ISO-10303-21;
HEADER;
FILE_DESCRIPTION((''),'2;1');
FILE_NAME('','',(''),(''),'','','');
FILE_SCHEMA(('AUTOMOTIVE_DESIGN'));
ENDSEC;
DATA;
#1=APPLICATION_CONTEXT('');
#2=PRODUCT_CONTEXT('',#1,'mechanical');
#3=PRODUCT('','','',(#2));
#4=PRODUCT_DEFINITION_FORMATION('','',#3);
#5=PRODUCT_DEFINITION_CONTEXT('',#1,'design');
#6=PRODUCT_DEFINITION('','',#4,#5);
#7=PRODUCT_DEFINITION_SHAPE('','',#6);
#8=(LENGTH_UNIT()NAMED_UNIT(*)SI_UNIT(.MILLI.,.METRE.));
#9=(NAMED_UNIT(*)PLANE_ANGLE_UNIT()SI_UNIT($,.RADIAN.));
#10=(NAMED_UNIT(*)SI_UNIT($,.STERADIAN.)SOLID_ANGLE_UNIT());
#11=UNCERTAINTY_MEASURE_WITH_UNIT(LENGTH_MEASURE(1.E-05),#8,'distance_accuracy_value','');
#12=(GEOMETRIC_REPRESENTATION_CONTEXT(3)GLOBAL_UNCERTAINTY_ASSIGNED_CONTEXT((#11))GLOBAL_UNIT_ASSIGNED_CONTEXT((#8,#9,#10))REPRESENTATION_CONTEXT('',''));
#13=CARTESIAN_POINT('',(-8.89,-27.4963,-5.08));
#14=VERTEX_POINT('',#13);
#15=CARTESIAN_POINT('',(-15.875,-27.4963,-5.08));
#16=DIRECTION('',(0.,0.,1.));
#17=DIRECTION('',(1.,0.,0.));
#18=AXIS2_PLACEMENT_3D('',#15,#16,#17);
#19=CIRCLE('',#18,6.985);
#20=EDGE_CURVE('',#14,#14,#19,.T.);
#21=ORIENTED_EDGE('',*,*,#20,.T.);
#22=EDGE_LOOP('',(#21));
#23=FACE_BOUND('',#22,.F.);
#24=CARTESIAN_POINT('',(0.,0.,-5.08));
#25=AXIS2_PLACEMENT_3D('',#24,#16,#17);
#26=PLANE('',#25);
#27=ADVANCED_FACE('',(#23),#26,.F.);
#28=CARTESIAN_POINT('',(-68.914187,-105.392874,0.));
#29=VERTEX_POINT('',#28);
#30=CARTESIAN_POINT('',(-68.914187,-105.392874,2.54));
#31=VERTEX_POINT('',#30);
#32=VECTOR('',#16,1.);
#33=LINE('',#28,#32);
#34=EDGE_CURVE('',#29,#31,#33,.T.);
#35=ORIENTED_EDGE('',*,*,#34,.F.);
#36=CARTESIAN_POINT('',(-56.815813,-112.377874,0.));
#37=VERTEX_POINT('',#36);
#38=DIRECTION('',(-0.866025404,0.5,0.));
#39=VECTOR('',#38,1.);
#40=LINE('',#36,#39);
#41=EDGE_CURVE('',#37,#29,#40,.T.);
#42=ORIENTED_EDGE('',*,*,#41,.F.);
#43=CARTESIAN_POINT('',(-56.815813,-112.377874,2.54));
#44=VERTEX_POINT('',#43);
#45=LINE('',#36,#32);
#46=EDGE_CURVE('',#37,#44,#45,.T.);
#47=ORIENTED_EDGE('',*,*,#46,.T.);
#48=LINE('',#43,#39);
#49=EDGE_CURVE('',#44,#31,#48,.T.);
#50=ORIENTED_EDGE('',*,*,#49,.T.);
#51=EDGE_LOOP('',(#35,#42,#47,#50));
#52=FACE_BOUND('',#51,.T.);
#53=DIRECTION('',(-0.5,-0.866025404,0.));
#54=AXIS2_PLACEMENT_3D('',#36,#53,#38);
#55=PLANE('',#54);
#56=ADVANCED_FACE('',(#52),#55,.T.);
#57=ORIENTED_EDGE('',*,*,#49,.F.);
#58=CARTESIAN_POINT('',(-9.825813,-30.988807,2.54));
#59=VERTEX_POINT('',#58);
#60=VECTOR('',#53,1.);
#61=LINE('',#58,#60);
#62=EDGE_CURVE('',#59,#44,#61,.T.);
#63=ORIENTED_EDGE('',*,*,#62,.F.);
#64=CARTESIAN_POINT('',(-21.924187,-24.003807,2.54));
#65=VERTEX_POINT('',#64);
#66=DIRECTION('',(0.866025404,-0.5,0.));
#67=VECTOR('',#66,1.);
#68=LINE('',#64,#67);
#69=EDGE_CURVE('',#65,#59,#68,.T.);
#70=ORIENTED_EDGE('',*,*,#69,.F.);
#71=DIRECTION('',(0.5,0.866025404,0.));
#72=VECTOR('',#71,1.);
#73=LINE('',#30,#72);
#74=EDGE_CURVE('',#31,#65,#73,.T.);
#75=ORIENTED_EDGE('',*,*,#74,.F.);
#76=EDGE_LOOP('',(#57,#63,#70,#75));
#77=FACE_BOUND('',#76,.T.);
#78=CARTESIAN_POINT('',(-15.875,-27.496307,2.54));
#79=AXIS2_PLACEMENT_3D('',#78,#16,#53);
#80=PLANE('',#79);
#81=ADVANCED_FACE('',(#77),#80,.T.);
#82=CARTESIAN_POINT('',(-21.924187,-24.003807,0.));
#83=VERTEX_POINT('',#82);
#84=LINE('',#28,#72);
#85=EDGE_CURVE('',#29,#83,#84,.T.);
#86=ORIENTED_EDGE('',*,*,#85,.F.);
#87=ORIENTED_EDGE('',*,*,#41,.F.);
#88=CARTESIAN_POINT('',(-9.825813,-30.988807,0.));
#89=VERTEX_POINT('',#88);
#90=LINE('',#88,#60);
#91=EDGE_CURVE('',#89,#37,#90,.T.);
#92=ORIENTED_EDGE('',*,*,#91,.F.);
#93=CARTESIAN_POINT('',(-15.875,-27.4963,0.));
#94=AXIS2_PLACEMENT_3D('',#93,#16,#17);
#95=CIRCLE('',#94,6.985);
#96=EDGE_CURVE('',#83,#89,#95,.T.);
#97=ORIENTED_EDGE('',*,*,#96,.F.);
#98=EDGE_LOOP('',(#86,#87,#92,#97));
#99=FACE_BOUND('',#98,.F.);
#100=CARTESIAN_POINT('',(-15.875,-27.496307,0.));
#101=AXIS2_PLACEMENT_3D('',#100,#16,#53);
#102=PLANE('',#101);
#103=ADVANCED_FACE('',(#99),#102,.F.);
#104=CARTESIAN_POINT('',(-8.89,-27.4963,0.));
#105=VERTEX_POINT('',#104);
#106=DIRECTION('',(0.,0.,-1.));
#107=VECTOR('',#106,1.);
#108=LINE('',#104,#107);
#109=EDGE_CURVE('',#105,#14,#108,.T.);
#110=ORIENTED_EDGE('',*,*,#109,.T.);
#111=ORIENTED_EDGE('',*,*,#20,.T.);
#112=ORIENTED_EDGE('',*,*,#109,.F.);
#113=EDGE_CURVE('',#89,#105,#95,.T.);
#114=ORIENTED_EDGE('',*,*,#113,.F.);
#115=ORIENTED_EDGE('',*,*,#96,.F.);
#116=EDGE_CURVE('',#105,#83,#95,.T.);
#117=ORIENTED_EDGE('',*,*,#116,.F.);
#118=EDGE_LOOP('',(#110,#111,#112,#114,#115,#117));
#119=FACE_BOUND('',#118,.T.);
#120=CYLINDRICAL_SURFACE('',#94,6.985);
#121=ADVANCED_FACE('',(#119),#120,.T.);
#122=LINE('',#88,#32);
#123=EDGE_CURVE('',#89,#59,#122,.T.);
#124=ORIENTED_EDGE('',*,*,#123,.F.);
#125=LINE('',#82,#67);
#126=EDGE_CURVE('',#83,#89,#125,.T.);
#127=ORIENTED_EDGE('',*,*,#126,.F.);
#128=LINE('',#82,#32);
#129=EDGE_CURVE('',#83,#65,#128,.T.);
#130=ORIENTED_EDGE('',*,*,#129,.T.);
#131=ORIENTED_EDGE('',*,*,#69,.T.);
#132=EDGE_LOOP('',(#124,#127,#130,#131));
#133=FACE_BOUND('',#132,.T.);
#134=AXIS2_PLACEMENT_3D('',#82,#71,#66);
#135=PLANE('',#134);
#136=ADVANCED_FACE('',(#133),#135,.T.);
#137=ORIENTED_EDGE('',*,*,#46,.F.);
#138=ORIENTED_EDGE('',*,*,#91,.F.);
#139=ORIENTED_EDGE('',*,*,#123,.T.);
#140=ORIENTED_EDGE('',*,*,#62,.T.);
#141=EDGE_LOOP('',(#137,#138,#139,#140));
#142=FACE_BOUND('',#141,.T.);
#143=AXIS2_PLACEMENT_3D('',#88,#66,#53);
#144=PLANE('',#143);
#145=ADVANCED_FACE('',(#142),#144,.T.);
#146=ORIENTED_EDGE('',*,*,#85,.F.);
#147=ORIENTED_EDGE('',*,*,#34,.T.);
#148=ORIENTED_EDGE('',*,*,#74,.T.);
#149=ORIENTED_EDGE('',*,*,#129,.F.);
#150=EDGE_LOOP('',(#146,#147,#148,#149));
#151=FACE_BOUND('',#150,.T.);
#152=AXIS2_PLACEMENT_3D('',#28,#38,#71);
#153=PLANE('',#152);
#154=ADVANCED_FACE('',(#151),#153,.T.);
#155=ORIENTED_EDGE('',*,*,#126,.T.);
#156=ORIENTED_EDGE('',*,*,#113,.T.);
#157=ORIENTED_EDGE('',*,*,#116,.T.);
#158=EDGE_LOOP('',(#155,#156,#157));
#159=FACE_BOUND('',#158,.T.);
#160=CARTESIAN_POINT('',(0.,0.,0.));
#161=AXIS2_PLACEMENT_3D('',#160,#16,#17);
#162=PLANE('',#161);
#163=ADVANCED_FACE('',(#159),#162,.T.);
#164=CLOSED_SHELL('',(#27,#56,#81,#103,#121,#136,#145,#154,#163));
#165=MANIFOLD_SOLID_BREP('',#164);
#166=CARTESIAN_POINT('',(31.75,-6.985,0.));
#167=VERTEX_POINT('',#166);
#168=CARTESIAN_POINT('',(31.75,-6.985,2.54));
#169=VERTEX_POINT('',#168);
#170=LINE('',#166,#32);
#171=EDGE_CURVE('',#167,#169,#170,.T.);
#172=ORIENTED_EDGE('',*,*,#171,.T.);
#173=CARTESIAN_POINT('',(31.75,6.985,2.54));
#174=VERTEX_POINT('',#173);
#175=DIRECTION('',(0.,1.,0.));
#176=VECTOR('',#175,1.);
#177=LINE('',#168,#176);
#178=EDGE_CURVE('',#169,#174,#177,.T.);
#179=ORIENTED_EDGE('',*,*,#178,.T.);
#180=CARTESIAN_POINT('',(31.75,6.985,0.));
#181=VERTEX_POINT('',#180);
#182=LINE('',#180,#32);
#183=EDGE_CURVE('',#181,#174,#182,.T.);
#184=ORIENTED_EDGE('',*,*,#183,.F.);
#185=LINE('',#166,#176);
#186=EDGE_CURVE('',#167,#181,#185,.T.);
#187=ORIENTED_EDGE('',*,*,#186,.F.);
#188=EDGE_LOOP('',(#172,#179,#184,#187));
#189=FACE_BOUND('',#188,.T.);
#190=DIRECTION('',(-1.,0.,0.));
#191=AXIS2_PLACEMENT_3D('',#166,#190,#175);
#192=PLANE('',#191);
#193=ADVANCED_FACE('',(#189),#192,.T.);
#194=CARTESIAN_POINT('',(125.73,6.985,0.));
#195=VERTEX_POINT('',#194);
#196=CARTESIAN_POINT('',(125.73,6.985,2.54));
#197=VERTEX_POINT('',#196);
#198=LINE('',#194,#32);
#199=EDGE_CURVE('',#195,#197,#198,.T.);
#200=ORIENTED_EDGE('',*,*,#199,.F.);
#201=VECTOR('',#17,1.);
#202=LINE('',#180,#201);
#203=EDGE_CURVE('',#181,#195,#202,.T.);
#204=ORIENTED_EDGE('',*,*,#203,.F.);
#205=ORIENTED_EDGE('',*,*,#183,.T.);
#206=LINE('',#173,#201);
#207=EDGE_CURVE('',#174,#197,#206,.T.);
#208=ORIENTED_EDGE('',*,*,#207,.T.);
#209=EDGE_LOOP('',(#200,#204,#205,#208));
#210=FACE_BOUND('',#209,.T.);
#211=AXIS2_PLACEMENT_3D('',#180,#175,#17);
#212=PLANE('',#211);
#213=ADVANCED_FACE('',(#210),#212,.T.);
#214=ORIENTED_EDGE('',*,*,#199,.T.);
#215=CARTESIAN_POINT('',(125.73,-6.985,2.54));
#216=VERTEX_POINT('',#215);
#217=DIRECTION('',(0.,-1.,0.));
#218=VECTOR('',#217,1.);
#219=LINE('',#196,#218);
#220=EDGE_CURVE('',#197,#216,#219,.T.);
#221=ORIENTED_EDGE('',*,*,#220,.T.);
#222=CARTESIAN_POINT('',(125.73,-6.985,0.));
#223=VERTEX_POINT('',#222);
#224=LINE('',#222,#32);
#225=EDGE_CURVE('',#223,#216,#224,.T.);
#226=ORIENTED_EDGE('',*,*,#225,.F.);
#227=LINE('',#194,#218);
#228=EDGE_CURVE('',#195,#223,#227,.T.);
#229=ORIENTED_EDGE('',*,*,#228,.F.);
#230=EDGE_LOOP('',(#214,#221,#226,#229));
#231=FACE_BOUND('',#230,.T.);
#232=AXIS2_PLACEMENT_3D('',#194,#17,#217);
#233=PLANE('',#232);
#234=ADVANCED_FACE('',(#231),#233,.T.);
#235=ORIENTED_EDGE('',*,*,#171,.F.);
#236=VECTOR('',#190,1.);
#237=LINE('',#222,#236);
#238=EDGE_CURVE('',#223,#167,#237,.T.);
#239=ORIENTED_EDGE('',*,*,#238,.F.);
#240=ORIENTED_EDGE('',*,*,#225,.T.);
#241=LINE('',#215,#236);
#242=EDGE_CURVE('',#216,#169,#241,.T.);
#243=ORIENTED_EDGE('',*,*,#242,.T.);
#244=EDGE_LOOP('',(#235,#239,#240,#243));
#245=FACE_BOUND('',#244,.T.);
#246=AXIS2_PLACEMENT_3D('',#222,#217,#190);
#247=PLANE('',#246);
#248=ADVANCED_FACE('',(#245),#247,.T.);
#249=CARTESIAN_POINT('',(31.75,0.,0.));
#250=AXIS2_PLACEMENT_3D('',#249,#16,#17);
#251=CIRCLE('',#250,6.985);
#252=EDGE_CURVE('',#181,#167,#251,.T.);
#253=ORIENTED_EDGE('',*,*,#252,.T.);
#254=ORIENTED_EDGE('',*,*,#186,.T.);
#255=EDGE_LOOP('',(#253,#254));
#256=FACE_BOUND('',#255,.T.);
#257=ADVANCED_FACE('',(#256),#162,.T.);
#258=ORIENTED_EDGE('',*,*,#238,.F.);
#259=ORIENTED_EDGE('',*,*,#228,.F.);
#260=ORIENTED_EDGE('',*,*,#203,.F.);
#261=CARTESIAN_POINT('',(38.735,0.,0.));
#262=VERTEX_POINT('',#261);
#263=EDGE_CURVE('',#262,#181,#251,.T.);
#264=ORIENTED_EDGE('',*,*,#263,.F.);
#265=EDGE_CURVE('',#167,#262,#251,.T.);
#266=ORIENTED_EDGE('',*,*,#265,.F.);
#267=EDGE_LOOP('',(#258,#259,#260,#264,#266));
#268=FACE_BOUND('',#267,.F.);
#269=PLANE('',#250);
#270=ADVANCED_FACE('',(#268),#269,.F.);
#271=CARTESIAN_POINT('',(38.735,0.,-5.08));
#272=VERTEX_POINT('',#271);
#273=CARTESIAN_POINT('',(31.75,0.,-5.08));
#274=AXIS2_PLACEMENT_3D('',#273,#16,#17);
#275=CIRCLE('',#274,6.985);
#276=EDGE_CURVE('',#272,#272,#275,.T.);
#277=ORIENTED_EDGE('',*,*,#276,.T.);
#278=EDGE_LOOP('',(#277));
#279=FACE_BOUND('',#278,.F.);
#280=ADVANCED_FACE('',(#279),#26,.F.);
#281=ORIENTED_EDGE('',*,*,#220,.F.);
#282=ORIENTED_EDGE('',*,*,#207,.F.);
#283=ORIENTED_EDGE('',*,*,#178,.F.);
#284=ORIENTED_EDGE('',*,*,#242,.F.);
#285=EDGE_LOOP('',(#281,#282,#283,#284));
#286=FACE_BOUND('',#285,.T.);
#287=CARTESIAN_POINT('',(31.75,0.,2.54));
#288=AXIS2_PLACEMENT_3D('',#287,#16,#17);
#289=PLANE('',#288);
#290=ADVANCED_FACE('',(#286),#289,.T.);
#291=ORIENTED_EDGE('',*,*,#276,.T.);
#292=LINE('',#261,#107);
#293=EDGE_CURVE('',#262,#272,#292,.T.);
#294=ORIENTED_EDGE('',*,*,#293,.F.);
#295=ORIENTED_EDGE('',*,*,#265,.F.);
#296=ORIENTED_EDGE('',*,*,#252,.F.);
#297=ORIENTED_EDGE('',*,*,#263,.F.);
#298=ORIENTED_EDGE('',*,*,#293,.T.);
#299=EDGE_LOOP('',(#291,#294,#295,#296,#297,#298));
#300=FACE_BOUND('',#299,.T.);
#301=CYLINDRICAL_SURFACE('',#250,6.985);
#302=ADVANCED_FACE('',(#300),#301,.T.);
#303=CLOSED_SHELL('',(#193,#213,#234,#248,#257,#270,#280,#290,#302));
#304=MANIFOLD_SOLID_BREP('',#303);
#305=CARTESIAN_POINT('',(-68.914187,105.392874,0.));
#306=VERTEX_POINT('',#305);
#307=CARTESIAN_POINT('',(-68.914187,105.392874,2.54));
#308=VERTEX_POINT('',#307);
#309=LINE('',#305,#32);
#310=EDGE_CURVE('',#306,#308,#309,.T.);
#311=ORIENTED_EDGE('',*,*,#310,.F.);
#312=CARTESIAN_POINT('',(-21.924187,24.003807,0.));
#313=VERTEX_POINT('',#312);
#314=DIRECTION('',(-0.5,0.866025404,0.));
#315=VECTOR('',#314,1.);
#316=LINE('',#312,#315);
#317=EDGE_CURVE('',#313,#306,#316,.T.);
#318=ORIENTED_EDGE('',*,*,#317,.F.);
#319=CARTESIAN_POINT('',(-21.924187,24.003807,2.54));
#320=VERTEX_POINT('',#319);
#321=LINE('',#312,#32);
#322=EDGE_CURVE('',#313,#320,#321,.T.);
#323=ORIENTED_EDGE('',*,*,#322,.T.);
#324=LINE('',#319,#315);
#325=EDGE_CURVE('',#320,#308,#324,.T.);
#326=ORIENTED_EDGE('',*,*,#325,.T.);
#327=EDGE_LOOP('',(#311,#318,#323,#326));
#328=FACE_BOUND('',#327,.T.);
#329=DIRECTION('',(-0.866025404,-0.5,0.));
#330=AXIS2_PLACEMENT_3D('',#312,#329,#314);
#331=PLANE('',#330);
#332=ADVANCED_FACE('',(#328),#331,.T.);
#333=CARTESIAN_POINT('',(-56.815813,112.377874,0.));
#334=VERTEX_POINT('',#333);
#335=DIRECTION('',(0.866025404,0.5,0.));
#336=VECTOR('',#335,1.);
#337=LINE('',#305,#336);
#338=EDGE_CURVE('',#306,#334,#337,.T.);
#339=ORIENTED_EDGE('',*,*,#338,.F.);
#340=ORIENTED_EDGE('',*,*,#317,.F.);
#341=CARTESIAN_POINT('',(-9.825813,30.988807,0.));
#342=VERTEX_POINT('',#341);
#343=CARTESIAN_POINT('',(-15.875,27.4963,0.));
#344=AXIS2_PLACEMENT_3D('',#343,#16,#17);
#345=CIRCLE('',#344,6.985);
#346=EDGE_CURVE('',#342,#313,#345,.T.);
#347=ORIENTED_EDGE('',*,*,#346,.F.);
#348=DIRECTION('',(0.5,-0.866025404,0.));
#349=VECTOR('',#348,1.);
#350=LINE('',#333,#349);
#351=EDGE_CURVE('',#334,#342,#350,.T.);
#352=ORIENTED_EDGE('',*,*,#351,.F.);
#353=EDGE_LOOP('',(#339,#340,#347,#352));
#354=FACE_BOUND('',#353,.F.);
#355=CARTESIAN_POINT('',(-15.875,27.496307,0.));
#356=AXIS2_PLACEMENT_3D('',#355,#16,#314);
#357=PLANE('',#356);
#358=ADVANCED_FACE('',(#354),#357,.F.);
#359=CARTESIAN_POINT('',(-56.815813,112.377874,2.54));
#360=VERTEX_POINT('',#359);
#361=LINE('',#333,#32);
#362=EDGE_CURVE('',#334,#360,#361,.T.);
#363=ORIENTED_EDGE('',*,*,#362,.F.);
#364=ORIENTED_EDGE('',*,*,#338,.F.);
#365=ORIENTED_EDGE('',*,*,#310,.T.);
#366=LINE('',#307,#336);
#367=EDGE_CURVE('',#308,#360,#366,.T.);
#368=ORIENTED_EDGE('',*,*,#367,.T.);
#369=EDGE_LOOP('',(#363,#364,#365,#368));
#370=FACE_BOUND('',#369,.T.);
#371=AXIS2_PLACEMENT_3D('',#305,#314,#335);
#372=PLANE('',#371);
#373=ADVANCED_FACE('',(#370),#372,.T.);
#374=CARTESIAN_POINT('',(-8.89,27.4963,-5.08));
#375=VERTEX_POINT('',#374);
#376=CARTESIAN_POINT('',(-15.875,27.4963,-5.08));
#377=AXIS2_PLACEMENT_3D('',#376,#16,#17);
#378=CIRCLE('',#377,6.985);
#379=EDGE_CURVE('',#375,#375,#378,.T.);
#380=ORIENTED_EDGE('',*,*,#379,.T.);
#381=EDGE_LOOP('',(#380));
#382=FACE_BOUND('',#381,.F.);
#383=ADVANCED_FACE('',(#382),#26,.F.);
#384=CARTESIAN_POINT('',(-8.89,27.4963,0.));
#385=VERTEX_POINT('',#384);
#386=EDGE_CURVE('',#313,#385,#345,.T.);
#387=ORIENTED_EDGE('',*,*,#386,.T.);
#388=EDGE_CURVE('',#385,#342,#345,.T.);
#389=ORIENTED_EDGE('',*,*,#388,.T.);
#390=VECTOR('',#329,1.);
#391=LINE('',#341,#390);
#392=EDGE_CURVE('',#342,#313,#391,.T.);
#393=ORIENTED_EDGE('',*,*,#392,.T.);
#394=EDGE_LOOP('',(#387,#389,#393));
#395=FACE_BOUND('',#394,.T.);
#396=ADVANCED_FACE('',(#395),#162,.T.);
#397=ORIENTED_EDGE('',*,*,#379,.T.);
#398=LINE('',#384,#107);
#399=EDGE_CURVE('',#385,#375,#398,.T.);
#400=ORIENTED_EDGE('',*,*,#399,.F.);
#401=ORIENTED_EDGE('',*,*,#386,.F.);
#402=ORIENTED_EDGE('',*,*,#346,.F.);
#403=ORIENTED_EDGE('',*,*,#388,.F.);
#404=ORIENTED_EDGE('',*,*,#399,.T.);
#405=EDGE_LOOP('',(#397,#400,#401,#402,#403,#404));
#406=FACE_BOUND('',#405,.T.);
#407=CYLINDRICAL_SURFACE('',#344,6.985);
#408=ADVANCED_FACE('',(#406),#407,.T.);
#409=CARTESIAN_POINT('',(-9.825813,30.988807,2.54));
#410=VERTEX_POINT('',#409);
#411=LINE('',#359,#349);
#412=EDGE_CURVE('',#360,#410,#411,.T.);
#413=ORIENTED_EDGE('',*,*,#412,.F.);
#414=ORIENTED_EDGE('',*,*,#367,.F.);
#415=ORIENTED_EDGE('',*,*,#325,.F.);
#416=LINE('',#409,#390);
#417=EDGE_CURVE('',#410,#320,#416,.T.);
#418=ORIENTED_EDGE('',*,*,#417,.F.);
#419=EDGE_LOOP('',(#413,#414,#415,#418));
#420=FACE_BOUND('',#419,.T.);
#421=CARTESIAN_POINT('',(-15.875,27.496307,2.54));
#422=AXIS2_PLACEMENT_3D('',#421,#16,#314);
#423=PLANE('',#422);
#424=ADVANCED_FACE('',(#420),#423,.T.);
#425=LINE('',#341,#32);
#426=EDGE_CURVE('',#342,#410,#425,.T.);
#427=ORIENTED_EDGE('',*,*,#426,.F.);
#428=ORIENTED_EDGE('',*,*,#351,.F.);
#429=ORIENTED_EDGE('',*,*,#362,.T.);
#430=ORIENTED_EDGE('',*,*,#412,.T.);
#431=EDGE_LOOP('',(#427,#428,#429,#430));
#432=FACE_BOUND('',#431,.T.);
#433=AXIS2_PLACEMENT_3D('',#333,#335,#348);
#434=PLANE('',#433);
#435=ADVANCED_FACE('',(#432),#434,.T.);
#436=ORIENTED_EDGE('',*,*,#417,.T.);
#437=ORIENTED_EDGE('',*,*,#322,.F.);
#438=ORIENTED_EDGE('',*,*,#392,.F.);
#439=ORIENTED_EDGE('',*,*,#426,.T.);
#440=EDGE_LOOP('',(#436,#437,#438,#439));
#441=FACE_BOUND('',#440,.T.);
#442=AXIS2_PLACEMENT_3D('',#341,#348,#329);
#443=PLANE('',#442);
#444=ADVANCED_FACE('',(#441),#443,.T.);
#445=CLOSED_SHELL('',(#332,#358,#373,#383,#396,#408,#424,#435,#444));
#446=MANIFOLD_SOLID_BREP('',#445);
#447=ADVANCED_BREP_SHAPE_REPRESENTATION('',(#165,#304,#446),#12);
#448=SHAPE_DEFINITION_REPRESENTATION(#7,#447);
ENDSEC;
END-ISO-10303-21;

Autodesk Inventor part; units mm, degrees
ref_plane "YZ Plane" through (0, 0, 0) normal (1, 0, 0) x (0, 1, 0)
ref_plane "XZ Plane" through (0, 0, 0) normal (0, 1, 0) x (-1, 0, 0)
sketch "Sketch1" plane through (0, 0, 0) normal (0, 0, 1) x (1, 0, 0)
  circle A0 centre (31.75, 0) radius 6.985 projected
  circle A1 centre (-15.875, -27.4963) radius 6.985 projected
  circle A2 centre (-15.875, 27.4963) radius 6.985 projected
  circle A3 centre (31.75, 0) radius 6.985
  circle A4 centre (-15.875, -27.4963) radius 6.985
  circle A5 centre (-15.875, 27.4963) radius 6.985
  point P0 (0, 0)
ref_plane "Work Plane1" through (-22.86, 20.5113, -5.08) normal (0, 0, 1) x (1, 0, 0)
extrude "Extrusion1" add sketch "Sketch1" against normal up to surface (5.08 mm away)
sketch "Sketch2" plane through (31.75, 0, 0) normal (0, 0, 1) x (1, 0, 0)
  circle A0 centre (-47.625, 27.4963) radius 6.985 projected
  circle A1 centre (-47.625, -27.4963) radius 6.985 projected
  circle A2 centre (0, 0) radius 6.985 projected
  line L0 (0, 6.985) -> (93.98, 6.985)
  line L1 (93.98, 6.985) -> (93.98, -6.985)
  line L2 (93.98, -6.985) -> (0, -6.985)
  line L3 (0, -6.985) -> (0, 6.985)
  point P0 (-31.75, 0)
  dimension "d2" = 93.98
extrude "Extrusion2" add sketch "Sketch2" along normal blind 2.54 contours A2 L3 | A2 L0 L1 L2 picked at (1.4517, 1.8204)
pattern_circular "Circular Pattern1" count 3 over 360 about axis through (0, 0, -10) along (0, 0, 1) of "Extrusion2"
properties part number "Cutting_Cable"
